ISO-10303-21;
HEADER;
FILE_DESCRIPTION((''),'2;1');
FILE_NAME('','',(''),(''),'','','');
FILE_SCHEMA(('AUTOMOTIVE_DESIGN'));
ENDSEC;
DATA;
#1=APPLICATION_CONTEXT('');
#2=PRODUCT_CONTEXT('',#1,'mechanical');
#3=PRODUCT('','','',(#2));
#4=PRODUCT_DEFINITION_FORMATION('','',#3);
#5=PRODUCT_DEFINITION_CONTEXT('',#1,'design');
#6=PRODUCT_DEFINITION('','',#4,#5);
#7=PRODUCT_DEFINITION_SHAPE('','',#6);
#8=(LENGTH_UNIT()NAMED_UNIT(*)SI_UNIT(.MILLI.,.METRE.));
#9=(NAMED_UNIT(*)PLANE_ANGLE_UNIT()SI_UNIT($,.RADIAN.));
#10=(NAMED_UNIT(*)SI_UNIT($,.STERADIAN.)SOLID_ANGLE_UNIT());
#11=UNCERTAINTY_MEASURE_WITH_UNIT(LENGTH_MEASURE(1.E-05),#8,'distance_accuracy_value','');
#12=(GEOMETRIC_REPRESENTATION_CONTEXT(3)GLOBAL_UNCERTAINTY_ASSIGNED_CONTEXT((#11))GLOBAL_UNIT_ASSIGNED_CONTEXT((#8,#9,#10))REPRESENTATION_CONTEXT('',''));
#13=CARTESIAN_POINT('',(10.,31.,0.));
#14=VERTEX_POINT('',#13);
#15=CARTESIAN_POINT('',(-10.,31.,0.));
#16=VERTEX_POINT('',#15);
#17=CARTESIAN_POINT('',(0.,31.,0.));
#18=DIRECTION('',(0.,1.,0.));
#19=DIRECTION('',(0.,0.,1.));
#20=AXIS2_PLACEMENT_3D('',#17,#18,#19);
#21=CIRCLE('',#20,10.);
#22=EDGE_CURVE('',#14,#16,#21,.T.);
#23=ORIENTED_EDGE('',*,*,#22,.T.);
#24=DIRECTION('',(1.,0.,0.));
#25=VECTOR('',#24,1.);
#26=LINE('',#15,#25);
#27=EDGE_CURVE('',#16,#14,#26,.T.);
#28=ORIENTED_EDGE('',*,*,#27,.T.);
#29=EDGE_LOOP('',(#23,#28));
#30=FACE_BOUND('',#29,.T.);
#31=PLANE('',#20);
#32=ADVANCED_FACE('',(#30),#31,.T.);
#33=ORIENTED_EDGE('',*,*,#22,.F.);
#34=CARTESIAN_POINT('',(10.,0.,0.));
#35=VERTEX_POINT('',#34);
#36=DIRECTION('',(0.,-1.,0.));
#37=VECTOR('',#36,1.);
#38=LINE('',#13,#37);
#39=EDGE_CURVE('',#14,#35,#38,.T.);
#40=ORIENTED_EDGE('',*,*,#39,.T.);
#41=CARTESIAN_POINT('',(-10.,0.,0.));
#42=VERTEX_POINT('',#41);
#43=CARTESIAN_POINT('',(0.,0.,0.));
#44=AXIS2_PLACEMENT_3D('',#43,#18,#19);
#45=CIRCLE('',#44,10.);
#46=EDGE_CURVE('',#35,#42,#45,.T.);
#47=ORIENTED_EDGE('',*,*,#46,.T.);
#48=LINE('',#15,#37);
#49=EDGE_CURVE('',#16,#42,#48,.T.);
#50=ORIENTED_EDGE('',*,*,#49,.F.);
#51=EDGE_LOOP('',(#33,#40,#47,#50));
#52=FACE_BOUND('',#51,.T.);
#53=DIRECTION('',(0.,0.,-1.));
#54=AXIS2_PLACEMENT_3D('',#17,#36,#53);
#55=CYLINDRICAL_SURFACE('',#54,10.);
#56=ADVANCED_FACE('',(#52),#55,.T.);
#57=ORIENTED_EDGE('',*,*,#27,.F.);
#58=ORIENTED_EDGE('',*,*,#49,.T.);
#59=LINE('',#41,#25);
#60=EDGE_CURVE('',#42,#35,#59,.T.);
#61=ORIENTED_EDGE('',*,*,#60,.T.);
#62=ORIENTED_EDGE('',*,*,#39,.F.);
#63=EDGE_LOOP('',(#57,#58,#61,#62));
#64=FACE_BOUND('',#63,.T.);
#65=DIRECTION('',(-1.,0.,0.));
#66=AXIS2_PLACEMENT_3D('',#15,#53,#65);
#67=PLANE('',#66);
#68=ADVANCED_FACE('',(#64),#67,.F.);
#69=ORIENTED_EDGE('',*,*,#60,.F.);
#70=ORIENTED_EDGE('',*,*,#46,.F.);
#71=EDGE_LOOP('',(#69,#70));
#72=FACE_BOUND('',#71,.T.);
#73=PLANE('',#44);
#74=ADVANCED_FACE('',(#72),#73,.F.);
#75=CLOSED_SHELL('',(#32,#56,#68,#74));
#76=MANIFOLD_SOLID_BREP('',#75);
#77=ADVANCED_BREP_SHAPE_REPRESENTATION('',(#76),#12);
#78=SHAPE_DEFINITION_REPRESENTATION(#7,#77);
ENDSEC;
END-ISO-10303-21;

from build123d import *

# Parameters (mm, degrees)
BOSS_EXTRUDE1_DEPTH = 31


with BuildPart() as part:
    # Sketch1 → Boss-Extrude1 (new body)
    with BuildSketch(Plane(origin=(0, 0, 0), x_dir=(1, 0, 0), z_dir=(0, 1, 0))):
        with BuildLine():
            Line((-10, 0), (10, 0))
            ThreePointArc((10, 0), (0, 10), (-10, 0))
        make_face()
    extrude(amount=BOSS_EXTRUDE1_DEPTH)


solid = part.part
